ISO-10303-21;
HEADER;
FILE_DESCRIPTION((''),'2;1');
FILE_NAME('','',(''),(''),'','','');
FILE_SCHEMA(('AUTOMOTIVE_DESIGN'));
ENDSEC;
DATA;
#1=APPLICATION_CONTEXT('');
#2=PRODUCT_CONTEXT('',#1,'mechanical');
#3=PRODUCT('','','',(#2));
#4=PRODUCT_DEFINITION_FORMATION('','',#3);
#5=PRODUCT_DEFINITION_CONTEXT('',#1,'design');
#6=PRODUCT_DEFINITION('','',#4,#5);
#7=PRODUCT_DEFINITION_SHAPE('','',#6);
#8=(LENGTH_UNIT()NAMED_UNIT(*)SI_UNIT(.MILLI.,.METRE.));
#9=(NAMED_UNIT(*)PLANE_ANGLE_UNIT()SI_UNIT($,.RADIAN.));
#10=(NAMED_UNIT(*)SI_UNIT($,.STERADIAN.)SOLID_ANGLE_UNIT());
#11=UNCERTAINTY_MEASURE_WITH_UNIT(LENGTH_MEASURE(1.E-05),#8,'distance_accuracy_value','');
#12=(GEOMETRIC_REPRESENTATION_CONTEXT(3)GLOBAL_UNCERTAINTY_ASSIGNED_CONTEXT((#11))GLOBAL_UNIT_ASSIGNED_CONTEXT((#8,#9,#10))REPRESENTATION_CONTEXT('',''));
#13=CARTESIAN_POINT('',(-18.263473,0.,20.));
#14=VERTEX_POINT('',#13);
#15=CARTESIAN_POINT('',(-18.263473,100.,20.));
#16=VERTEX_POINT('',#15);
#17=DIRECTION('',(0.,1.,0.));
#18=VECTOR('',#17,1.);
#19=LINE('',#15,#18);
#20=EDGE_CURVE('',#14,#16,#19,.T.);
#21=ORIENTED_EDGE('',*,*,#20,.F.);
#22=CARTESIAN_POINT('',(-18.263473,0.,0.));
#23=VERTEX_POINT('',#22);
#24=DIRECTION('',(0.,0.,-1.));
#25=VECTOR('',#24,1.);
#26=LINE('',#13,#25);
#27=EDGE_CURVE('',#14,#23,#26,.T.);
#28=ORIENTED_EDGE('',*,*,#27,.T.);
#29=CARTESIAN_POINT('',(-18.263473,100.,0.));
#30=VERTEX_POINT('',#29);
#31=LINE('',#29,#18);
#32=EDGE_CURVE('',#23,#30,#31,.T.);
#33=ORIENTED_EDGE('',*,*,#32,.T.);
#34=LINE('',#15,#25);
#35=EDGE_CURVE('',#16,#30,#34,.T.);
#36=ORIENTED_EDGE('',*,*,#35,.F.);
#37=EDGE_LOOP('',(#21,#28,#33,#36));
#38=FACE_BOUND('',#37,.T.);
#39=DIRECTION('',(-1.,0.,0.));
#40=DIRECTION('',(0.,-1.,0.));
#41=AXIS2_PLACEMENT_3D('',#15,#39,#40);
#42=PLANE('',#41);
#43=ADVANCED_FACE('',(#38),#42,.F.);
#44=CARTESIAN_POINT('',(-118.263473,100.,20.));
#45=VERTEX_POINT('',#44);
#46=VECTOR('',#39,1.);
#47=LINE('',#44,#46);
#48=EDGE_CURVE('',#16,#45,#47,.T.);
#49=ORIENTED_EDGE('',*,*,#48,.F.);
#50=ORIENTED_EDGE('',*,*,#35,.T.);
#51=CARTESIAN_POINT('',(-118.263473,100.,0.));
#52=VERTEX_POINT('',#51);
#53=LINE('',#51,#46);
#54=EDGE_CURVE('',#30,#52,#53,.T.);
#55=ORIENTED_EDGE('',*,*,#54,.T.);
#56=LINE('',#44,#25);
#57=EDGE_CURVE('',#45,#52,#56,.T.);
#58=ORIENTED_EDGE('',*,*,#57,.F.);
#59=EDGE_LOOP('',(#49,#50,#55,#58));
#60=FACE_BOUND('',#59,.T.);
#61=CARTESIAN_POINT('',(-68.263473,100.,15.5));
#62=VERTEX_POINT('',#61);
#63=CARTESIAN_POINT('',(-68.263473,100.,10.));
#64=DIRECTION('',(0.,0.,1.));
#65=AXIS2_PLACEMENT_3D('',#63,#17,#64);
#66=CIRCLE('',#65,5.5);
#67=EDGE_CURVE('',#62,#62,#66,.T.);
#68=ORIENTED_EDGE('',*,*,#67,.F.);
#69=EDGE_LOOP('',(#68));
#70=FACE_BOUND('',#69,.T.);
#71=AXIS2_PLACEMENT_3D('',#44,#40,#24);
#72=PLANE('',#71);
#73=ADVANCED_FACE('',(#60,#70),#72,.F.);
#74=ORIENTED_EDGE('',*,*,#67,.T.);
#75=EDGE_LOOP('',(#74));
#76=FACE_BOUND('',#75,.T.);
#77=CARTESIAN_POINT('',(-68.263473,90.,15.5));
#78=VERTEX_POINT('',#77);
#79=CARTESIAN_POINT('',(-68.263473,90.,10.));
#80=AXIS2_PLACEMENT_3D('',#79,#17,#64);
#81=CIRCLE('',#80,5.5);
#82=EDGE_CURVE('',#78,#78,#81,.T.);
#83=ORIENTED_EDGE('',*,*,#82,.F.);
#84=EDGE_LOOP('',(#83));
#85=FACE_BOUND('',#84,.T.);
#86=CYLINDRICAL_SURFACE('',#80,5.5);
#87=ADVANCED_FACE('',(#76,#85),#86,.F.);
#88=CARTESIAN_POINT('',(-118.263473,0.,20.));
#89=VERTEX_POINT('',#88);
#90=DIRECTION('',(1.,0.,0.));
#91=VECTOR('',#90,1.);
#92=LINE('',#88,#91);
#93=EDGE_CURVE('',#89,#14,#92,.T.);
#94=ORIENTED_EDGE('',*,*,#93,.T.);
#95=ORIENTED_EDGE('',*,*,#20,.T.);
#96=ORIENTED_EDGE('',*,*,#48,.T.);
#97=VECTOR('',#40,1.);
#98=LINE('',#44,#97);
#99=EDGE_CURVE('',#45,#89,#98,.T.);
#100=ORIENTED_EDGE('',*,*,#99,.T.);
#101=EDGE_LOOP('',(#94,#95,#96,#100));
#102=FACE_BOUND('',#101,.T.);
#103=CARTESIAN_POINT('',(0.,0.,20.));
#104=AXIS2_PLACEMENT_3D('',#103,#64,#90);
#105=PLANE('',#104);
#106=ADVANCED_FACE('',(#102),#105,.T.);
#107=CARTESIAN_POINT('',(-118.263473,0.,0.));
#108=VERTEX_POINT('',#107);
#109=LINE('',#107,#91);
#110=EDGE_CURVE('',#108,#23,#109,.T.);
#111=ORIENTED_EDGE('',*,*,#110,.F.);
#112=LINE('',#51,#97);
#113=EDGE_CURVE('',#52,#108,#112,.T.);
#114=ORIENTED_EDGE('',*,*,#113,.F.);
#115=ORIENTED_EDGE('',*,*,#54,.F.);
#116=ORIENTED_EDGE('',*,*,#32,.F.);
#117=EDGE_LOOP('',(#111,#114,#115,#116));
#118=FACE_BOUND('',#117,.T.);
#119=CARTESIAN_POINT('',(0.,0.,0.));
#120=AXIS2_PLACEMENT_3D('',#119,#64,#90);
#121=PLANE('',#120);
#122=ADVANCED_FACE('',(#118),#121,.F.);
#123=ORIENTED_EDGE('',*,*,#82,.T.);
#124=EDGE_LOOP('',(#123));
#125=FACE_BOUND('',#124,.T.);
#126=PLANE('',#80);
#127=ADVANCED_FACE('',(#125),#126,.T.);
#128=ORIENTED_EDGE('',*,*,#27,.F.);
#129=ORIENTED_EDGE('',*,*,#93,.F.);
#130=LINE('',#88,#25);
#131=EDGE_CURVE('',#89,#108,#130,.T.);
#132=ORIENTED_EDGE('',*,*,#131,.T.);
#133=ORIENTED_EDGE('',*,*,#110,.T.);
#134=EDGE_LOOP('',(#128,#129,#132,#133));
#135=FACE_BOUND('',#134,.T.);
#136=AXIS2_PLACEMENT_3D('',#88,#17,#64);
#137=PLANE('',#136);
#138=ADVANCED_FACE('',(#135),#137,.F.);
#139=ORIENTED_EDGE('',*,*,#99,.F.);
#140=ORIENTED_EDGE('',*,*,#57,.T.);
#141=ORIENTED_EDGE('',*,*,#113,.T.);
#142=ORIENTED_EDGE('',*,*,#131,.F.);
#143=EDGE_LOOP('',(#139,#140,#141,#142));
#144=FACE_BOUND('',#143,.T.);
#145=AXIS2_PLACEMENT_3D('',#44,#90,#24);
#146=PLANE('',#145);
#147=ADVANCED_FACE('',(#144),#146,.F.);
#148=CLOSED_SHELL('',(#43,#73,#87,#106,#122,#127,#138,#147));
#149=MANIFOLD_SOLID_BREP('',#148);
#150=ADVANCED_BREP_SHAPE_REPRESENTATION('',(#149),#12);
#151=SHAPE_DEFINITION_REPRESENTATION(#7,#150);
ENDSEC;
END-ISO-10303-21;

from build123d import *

# Parameters (mm, degrees)
SKETCH1_W           = 100
SKETCH1_H           = 100
BOSS_EXTRUDE1_DEPTH = 20
SKETCH2_R           = 5.5
CUT_EXTRUDE1_DEPTH  = 10


with BuildPart() as part:
    # Sketch1 → Boss-Extrude1 (new body)
    with BuildSketch(Plane.XY):
        with Locations((-68.263473054, 50)):
            Rectangle(SKETCH1_W, SKETCH1_H)
    extrude(amount=BOSS_EXTRUDE1_DEPTH)

    # Sketch2 → Cut-Extrude1 (cut)
    with BuildSketch(Plane(origin=(0, 100, 0), x_dir=(1, 0, 0), z_dir=(0, 1, 0))):
        with Locations(Location((-68.263473054, -10, 0), (0, 0, 270))):
            Circle(SKETCH2_R)
    extrude(amount=-CUT_EXTRUDE1_DEPTH, mode=Mode.SUBTRACT)


solid = part.part
